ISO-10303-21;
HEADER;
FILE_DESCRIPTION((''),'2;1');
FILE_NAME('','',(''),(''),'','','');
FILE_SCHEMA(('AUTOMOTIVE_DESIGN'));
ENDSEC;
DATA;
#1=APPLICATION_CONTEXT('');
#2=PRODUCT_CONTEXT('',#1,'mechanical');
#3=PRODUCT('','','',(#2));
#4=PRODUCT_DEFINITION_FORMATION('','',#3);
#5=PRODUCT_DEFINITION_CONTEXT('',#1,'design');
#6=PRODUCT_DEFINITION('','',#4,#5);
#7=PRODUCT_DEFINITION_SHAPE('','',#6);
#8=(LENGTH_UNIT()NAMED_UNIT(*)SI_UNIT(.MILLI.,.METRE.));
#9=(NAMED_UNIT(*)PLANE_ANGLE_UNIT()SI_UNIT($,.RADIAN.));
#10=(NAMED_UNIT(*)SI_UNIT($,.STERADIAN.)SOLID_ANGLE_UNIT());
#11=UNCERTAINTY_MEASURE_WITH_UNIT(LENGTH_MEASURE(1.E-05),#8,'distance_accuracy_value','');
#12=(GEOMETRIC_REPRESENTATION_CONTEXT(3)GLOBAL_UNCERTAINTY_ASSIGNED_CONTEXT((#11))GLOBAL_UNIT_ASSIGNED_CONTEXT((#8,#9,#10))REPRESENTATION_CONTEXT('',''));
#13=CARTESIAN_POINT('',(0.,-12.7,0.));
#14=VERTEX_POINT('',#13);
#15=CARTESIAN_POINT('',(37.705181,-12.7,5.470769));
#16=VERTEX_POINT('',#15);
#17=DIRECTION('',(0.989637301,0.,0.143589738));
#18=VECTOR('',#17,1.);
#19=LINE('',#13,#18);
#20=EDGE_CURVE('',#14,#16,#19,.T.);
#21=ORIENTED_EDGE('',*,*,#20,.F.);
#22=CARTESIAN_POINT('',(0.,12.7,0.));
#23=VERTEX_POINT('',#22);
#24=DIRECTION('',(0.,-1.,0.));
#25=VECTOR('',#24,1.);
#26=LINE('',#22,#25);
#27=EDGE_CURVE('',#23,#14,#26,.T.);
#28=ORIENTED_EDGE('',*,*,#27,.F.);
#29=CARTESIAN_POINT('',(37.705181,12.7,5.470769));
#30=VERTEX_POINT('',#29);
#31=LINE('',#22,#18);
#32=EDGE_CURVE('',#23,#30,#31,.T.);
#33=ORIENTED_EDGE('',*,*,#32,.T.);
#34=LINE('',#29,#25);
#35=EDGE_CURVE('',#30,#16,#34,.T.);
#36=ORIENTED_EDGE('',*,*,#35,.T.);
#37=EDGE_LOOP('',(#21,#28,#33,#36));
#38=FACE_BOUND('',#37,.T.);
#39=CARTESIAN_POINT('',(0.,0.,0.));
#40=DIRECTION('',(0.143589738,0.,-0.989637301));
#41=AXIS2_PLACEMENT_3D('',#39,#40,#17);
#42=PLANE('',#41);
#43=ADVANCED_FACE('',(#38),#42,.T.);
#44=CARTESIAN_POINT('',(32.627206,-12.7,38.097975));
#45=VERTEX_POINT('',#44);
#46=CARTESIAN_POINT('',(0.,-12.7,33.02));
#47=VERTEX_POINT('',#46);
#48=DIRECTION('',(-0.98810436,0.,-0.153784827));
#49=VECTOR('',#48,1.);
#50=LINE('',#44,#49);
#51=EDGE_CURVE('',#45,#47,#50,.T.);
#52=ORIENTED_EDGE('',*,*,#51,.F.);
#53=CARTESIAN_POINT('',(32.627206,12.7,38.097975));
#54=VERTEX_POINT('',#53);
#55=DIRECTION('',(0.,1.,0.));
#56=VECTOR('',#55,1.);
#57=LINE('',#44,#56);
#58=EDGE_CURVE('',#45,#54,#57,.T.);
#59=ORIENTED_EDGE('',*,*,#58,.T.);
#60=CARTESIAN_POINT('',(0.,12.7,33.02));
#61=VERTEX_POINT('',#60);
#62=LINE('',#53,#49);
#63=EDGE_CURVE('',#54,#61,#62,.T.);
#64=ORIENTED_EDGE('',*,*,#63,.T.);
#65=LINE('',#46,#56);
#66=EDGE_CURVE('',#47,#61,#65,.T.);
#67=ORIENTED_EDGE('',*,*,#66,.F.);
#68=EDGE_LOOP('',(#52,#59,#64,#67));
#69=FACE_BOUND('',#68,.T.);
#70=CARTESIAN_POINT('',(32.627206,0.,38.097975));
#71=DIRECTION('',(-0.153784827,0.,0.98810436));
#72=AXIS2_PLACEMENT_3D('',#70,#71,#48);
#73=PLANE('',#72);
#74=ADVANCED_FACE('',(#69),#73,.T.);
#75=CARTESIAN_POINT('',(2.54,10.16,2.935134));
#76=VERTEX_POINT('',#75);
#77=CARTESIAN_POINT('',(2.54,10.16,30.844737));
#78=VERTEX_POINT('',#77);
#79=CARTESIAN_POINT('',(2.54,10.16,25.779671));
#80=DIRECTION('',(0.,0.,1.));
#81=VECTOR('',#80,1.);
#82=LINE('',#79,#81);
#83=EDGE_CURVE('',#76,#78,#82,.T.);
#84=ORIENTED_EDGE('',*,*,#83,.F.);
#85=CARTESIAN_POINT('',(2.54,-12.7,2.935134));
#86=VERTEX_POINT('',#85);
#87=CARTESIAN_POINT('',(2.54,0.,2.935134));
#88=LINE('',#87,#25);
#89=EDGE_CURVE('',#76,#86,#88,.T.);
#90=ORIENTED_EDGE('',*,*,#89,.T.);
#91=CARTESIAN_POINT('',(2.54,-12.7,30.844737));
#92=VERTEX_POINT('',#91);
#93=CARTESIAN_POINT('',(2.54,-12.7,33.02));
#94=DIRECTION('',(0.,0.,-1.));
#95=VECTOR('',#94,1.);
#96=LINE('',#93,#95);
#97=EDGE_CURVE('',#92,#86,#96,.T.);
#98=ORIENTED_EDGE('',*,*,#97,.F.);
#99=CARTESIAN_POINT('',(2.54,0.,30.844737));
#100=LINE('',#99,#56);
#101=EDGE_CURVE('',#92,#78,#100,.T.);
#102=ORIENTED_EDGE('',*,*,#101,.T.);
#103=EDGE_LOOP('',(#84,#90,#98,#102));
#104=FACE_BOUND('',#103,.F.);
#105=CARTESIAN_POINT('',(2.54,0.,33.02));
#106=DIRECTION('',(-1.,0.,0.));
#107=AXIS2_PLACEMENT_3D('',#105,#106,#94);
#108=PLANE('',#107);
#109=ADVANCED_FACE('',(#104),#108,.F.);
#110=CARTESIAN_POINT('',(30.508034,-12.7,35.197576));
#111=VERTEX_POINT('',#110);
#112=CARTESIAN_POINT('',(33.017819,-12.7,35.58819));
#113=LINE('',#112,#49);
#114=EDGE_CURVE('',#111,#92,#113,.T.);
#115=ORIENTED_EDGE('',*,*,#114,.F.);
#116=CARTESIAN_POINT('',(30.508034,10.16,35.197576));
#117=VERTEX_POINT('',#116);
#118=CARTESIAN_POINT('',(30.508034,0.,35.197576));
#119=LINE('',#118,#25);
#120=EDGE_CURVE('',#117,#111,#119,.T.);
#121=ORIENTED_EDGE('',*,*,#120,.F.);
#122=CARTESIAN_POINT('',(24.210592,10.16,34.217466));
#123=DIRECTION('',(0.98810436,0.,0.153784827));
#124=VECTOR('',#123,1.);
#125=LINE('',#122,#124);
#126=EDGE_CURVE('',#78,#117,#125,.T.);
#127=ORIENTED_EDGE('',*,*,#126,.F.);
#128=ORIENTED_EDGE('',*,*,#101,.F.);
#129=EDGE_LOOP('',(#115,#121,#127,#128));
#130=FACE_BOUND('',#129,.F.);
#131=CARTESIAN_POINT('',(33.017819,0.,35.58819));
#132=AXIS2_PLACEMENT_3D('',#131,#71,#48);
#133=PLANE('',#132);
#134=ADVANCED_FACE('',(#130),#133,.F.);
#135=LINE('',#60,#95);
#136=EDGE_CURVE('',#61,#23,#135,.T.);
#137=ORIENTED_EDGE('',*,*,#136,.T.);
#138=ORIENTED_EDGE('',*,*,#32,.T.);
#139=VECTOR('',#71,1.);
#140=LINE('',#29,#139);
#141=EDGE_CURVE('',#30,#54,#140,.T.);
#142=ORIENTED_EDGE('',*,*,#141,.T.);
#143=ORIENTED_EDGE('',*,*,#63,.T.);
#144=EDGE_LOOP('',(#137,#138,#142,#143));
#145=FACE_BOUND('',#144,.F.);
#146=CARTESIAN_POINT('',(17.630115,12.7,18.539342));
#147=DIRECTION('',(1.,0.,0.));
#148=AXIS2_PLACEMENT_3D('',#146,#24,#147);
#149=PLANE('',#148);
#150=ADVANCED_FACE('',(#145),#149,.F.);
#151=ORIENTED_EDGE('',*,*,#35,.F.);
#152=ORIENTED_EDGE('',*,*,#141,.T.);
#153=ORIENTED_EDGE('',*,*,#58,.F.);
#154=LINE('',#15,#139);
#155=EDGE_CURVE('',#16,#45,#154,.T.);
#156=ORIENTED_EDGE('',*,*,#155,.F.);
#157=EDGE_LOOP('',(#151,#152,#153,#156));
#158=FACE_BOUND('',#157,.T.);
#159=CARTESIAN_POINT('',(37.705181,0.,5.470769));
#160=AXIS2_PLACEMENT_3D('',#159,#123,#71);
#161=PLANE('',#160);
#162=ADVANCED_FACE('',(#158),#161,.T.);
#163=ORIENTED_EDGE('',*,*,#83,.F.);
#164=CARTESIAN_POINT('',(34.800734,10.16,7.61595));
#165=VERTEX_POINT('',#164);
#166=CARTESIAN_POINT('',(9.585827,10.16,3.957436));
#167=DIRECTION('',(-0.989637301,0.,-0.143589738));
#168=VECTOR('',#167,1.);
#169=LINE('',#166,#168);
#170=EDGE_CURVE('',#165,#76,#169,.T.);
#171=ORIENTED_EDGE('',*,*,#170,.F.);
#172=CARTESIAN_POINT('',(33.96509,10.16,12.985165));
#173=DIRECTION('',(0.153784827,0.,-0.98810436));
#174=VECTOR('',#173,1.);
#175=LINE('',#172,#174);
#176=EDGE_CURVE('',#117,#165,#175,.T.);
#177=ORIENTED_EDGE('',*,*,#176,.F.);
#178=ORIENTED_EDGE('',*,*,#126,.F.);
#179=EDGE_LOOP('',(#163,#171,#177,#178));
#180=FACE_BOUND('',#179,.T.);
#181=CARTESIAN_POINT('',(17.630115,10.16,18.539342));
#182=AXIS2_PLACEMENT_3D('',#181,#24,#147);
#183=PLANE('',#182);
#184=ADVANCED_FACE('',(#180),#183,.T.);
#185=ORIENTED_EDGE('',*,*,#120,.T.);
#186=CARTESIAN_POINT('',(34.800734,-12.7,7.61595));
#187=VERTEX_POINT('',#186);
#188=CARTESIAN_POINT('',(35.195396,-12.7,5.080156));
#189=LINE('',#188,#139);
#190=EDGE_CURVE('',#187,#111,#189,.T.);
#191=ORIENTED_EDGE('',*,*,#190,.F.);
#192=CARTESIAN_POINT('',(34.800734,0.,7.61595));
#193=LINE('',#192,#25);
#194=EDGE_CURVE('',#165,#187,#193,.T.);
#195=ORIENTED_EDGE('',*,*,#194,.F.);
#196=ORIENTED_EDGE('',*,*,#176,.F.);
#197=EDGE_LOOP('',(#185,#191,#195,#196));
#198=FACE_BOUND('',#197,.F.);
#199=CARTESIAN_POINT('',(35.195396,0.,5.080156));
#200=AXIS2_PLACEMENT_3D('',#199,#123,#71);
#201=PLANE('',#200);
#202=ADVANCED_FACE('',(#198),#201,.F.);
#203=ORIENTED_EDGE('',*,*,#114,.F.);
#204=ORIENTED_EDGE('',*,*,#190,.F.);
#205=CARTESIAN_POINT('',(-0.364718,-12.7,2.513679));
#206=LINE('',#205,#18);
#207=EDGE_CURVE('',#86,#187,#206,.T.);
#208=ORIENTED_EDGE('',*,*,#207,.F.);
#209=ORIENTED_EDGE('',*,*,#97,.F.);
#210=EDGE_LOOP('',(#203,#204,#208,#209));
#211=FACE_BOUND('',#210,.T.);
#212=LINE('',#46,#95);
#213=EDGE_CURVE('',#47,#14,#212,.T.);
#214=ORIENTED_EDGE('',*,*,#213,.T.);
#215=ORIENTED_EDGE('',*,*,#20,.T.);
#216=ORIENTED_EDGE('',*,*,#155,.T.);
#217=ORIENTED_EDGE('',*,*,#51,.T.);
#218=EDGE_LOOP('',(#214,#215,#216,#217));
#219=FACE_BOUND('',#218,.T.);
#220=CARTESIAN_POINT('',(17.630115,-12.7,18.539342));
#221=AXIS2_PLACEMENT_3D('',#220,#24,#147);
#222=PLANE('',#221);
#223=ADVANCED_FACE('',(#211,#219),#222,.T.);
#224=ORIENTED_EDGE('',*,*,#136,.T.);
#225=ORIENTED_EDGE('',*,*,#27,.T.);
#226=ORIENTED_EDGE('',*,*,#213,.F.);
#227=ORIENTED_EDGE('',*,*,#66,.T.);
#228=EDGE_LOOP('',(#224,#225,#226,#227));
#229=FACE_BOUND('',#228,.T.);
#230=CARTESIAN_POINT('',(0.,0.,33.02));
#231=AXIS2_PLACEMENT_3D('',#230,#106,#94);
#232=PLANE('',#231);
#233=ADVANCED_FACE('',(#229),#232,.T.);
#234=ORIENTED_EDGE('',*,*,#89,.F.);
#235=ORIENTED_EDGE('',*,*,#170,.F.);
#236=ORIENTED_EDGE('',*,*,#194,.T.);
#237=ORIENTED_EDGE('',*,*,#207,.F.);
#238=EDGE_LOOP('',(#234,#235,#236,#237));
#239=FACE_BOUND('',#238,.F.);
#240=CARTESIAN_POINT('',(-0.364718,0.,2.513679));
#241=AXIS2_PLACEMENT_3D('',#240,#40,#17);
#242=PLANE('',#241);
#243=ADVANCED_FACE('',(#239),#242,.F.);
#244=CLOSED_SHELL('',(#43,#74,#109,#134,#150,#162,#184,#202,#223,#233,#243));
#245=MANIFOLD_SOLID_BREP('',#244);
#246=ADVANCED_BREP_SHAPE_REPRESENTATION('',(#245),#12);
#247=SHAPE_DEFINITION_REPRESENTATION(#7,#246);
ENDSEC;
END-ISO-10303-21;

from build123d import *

# Parameters (mm, degrees)
F1_DEPTH = 12.7
F2_T     = -2.54


with BuildPart() as f1:
    # F0 (on Front) → F1 (new body, symmetric)
    with BuildSketch(Plane.XZ):
        Polygon((0, 33.02), (0, 0), (37.705181, 5.470769), (32.627206, 38.097975), align=None)
    extrude(amount=F1_DEPTH, both=True)

    # F2
    f2_openings = [f1.faces().sort_by_distance(p)[0] for p in [
        (17.64603, -12.7, 18.759286),
    ]]
    offset(amount=F2_T, openings=f2_openings)


solid = f1.part
